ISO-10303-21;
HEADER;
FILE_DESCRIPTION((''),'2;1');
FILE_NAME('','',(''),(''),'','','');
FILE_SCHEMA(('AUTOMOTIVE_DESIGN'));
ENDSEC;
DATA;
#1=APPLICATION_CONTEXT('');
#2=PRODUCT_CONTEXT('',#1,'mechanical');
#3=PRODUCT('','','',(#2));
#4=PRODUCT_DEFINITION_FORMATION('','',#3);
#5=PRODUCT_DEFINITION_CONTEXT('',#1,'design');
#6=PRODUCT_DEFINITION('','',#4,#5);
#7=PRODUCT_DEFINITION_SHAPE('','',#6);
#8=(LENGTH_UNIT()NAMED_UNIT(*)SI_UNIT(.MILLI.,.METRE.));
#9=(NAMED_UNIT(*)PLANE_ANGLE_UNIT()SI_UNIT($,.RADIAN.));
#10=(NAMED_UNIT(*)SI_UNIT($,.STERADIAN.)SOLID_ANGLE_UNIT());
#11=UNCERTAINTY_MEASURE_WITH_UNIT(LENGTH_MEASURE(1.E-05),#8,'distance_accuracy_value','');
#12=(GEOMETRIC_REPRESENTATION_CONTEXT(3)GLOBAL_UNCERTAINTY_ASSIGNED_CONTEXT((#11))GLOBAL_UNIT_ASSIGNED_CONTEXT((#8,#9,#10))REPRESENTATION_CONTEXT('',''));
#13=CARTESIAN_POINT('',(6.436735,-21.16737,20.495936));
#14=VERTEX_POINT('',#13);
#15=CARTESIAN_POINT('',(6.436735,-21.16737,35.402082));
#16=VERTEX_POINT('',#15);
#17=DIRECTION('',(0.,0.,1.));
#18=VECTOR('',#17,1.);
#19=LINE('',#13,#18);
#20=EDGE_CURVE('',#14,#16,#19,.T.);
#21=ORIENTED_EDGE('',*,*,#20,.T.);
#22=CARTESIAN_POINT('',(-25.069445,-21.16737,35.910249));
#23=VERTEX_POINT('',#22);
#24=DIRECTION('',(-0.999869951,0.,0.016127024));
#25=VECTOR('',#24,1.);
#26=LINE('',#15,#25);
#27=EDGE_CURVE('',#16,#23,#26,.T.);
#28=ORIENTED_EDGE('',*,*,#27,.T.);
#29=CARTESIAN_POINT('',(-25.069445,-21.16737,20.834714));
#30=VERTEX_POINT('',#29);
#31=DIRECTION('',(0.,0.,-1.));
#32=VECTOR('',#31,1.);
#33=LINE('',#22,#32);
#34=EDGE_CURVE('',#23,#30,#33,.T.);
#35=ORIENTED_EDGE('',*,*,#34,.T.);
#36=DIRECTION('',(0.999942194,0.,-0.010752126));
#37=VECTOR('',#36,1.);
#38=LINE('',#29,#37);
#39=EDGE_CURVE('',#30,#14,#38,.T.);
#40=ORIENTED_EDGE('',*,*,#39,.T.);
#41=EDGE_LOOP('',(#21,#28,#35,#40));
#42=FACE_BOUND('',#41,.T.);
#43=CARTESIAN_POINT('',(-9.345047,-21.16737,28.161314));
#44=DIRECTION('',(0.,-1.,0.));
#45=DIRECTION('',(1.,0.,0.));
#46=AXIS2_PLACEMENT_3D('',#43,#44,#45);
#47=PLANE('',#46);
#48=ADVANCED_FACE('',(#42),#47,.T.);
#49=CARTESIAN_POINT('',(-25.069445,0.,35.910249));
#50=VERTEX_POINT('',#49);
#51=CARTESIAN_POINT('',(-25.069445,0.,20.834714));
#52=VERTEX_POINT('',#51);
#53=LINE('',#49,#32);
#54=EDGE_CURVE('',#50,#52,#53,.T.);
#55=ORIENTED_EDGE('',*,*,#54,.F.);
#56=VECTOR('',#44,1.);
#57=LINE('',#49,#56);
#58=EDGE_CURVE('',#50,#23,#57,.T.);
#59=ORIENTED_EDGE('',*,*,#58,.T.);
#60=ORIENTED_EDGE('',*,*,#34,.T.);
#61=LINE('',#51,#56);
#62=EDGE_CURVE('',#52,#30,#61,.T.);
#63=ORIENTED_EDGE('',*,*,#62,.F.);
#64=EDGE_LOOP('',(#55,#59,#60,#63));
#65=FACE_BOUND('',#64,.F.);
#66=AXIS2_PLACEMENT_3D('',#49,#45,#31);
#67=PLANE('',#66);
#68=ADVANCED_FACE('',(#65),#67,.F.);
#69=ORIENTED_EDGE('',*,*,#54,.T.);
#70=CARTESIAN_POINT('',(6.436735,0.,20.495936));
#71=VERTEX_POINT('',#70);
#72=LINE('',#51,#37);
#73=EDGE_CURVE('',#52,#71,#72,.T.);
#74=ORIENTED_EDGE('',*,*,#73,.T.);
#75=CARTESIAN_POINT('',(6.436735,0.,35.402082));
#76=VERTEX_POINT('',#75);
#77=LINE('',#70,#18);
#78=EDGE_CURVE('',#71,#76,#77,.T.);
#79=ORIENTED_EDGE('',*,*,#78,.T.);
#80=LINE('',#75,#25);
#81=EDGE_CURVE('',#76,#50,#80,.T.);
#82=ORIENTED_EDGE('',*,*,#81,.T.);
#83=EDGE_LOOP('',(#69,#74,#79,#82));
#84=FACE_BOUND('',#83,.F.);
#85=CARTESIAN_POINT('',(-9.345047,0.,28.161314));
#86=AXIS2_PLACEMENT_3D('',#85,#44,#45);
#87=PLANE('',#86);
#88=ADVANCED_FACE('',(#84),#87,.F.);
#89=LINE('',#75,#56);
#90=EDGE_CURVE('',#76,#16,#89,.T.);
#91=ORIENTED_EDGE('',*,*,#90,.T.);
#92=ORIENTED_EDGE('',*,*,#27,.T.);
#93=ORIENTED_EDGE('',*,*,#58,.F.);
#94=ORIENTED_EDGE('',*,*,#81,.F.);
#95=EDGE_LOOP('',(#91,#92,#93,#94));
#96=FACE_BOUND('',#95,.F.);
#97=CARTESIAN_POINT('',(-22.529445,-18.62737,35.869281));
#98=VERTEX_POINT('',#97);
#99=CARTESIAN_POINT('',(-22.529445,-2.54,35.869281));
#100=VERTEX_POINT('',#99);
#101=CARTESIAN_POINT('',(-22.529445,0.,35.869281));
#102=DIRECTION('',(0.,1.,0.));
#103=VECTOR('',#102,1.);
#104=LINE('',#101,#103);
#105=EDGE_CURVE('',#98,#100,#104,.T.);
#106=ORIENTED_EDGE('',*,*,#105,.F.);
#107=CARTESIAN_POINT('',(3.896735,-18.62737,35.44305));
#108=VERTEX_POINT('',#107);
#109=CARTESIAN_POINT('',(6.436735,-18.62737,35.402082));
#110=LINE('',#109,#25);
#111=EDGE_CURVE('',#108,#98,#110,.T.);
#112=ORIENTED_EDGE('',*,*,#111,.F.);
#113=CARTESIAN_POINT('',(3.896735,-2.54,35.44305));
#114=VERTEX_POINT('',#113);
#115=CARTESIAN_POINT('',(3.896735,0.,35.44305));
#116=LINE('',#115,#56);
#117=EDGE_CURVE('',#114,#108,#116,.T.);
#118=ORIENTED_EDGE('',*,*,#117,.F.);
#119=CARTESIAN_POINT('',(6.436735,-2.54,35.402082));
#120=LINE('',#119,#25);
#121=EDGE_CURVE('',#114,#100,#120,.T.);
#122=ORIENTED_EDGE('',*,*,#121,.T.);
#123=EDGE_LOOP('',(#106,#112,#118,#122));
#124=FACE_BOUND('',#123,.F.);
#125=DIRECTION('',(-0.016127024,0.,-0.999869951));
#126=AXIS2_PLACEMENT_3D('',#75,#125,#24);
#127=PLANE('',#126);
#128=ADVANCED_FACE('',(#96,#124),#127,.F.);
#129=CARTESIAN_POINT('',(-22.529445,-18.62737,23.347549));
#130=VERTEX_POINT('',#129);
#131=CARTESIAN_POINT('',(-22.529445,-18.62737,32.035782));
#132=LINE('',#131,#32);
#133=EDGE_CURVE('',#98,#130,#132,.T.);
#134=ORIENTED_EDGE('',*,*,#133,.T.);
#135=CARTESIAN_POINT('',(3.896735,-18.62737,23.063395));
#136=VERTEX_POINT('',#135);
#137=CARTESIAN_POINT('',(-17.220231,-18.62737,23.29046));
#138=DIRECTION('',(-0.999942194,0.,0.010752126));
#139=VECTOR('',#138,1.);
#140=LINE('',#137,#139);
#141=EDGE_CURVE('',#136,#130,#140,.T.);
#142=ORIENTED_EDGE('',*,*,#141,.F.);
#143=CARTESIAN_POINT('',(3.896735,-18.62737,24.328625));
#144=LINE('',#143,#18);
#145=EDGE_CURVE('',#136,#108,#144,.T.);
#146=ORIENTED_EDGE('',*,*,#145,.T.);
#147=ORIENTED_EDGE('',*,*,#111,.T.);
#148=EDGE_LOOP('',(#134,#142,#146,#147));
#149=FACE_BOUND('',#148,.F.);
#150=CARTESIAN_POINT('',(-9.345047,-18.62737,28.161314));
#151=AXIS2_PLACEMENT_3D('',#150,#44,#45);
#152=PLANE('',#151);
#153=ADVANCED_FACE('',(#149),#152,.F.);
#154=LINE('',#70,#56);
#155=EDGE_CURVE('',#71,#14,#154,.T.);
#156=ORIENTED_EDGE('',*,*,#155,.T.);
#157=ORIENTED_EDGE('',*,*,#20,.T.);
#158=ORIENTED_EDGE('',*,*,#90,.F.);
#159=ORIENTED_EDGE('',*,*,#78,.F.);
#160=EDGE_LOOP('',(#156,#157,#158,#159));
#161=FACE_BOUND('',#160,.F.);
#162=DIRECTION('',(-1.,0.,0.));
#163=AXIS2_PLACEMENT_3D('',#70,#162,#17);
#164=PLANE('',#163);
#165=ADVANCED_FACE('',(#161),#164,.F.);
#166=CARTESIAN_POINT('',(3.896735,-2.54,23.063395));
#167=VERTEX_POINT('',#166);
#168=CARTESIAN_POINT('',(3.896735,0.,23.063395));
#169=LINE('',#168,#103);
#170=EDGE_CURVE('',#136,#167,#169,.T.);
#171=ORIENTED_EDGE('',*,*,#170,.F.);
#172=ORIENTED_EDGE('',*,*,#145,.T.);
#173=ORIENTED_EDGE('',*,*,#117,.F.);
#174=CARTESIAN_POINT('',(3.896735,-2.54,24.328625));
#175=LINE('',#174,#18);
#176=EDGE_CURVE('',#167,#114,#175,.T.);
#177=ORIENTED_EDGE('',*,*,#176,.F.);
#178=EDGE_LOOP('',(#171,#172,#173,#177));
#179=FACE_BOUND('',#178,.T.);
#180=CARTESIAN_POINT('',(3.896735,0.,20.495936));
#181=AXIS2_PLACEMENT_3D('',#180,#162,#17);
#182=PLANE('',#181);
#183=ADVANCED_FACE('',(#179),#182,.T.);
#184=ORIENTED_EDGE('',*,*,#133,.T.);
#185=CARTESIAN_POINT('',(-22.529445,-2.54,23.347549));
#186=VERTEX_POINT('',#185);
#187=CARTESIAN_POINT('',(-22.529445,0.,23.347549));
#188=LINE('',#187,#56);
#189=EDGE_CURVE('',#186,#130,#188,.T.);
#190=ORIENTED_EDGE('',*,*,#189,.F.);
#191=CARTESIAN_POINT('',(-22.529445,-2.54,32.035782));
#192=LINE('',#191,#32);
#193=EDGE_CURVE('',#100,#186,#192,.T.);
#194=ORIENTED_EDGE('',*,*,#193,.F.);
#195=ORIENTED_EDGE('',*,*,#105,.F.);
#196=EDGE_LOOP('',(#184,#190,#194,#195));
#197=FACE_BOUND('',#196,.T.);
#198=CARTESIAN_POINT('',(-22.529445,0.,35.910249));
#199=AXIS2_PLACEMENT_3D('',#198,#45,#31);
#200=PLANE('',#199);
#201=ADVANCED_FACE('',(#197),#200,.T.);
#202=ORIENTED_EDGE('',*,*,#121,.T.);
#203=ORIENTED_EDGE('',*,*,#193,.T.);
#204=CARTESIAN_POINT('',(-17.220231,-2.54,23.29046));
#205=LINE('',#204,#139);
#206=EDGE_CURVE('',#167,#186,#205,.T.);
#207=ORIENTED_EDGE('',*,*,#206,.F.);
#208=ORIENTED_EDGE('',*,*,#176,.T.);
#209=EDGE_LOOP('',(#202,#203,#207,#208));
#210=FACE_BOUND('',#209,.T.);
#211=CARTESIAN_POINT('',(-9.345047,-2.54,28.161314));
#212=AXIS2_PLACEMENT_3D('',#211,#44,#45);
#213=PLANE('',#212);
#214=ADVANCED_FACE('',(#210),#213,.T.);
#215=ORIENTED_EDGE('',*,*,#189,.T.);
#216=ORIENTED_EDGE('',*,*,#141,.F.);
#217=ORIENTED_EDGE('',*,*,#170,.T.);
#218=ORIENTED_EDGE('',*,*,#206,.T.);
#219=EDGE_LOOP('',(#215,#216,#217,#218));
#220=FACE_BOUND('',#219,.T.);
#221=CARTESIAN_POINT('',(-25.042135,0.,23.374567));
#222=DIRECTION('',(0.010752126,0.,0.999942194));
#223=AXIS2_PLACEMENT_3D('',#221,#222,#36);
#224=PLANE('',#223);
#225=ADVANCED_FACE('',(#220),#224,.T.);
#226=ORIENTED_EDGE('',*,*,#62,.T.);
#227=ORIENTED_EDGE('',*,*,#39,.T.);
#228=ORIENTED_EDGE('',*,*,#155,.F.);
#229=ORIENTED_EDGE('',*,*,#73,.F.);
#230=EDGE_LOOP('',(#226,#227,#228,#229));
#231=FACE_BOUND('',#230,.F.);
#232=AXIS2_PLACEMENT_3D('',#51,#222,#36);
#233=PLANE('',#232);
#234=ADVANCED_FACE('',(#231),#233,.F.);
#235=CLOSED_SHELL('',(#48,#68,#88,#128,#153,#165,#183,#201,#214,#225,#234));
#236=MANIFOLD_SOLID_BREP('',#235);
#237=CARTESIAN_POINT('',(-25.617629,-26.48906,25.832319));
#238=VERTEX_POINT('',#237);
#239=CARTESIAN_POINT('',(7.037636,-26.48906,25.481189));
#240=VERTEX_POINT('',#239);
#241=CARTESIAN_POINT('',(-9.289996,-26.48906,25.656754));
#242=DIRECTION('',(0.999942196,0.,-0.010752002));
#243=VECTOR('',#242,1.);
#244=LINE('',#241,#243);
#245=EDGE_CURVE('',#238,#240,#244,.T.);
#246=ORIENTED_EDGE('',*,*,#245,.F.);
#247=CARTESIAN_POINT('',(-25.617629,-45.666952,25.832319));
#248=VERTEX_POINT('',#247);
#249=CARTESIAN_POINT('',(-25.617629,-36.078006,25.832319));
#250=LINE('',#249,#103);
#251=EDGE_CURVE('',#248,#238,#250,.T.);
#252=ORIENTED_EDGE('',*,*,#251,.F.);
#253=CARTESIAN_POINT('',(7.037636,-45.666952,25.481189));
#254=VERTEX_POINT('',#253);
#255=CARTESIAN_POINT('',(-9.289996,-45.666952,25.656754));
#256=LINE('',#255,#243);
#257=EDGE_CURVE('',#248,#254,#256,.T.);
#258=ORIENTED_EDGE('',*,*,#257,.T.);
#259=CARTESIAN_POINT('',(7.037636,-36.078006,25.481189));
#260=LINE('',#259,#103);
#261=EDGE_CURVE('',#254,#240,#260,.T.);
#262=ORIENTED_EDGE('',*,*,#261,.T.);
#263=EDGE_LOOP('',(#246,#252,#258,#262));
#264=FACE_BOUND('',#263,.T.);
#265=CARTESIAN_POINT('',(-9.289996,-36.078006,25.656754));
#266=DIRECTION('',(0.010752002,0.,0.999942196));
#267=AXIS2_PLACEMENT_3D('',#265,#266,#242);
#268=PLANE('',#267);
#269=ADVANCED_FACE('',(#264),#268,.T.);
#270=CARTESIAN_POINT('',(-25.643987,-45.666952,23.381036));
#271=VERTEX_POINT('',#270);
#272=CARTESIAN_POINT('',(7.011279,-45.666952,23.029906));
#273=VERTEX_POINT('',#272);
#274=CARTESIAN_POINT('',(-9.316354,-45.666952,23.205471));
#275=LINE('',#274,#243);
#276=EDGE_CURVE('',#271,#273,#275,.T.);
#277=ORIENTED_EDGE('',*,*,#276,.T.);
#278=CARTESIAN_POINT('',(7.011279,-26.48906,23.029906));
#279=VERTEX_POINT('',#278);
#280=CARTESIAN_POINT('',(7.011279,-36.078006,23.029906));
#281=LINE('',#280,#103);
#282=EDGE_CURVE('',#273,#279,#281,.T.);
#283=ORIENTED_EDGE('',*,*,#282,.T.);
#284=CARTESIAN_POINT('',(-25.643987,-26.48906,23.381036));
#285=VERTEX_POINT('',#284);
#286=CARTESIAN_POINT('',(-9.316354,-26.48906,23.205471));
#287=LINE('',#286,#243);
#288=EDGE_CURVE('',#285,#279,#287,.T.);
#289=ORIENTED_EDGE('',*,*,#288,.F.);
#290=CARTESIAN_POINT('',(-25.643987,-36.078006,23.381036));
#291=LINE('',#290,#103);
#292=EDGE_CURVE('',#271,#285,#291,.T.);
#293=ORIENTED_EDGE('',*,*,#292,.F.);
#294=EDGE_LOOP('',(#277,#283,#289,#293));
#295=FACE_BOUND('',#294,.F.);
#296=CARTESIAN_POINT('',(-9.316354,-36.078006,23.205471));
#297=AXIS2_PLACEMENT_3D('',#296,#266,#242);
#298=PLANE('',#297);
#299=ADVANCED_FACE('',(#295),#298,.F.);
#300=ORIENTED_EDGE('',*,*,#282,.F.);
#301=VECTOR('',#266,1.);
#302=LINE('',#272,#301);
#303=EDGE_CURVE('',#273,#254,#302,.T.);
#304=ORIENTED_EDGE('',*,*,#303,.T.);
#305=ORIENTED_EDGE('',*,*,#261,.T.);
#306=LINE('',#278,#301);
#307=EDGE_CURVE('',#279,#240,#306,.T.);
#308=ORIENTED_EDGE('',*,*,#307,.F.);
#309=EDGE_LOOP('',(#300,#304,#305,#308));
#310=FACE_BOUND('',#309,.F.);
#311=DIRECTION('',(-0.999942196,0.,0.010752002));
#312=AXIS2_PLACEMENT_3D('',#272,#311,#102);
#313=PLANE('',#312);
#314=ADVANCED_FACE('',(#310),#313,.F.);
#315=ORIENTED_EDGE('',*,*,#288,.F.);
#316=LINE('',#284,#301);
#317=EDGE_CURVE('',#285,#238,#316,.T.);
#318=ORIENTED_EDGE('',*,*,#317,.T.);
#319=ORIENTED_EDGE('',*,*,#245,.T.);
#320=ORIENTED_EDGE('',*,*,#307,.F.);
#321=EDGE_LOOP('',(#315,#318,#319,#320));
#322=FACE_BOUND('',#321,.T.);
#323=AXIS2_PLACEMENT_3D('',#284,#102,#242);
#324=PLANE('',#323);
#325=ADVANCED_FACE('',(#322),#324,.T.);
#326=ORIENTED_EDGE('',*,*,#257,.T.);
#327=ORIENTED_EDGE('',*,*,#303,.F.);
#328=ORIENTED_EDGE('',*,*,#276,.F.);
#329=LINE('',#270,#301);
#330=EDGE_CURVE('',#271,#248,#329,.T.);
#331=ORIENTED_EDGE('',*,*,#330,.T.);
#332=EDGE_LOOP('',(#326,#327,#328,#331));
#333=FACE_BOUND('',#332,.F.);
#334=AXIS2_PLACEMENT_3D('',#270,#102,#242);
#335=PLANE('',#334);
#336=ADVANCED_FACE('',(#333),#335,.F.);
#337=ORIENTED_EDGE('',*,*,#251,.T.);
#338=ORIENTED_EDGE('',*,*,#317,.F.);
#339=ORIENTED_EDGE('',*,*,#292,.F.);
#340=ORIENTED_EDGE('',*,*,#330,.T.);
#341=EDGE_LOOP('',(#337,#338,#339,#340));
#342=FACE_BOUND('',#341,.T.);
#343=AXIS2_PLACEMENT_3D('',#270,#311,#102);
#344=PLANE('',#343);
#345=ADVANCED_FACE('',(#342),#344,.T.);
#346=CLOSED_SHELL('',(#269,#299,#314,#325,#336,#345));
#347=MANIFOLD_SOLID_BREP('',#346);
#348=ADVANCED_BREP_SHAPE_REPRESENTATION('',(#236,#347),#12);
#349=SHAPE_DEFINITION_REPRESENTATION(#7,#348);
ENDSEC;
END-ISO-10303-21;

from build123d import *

# Parameters (mm, degrees)
F1_DEPTH = 21.16737
F2_T     = -2.54
F3_W     = 32.657153
F3_H     = 19.177892
F4_DEPTH = 2.451424


with BuildPart() as f1:
    # F0 (on Front) → F1 (new body)
    with BuildSketch(Plane.XZ):
        Polygon((6.436735, 20.495936), (6.436735, 35.402082), (-25.069445, 35.910249), (-25.069445, 20.834714), align=None)
    extrude(amount=F1_DEPTH)

    # F2
    f2_openings = [f1.faces().sort_by_distance(p)[0] for p in [
        (-9.316355, -10.583685, 35.656165),
    ]]
    offset(amount=F2_T, openings=f2_openings)


with BuildPart() as f4:
    # F3 (on face) → F4 (new body)
    with BuildSketch(Plane(origin=(0.248417, 0, 23.102625), x_dir=(0.999942, 0, -0.010752), z_dir=(0.010752, 0, 0.999942))):
        with Locations((-9.565324, -36.078006)):
            Rectangle(F3_W, F3_H)
    extrude(amount=F4_DEPTH)


solid = Compound([f1.part, f4.part])
